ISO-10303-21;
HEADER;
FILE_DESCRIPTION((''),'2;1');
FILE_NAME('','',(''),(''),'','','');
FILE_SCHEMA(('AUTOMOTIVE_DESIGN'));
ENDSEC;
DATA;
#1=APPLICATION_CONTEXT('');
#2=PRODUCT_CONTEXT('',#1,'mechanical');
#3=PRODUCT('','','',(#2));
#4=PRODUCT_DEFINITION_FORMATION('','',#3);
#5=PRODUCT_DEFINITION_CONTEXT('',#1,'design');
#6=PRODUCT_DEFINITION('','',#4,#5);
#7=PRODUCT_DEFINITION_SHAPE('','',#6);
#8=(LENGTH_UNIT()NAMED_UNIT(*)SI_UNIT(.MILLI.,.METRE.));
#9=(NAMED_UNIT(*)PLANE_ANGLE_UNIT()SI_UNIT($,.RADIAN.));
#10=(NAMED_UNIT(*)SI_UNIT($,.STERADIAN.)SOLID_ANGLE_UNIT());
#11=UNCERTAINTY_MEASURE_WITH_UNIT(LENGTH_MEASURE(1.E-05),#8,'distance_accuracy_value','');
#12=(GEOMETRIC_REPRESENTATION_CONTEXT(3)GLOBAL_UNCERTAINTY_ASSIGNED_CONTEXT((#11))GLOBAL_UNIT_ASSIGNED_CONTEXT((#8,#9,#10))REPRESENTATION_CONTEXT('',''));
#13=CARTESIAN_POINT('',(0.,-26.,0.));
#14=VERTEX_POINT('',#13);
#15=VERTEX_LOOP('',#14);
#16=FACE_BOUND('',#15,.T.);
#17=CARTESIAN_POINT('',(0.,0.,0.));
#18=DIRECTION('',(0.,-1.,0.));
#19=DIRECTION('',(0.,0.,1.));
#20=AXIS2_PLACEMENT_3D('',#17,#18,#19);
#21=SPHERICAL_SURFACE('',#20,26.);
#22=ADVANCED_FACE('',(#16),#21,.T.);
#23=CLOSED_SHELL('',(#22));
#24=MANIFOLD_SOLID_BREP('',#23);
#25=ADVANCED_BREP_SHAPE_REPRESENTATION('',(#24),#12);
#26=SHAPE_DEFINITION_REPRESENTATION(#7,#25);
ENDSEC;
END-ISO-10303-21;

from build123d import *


with BuildPart() as part:
    # Schizzo1 → Rivoluzione1 (revolve)
    with BuildSketch(Plane(origin=(0, 0, 0), x_dir=(0, 0, -1), z_dir=(1, 0, 0))):
        with BuildLine():
            Line((0, -26), (0, 26))
            ThreePointArc((0, 26), (26, 0), (0, -26))
        make_face()
    revolve(axis=Axis((0, -26, 0), (0, 1, 0)))


solid = part.part
